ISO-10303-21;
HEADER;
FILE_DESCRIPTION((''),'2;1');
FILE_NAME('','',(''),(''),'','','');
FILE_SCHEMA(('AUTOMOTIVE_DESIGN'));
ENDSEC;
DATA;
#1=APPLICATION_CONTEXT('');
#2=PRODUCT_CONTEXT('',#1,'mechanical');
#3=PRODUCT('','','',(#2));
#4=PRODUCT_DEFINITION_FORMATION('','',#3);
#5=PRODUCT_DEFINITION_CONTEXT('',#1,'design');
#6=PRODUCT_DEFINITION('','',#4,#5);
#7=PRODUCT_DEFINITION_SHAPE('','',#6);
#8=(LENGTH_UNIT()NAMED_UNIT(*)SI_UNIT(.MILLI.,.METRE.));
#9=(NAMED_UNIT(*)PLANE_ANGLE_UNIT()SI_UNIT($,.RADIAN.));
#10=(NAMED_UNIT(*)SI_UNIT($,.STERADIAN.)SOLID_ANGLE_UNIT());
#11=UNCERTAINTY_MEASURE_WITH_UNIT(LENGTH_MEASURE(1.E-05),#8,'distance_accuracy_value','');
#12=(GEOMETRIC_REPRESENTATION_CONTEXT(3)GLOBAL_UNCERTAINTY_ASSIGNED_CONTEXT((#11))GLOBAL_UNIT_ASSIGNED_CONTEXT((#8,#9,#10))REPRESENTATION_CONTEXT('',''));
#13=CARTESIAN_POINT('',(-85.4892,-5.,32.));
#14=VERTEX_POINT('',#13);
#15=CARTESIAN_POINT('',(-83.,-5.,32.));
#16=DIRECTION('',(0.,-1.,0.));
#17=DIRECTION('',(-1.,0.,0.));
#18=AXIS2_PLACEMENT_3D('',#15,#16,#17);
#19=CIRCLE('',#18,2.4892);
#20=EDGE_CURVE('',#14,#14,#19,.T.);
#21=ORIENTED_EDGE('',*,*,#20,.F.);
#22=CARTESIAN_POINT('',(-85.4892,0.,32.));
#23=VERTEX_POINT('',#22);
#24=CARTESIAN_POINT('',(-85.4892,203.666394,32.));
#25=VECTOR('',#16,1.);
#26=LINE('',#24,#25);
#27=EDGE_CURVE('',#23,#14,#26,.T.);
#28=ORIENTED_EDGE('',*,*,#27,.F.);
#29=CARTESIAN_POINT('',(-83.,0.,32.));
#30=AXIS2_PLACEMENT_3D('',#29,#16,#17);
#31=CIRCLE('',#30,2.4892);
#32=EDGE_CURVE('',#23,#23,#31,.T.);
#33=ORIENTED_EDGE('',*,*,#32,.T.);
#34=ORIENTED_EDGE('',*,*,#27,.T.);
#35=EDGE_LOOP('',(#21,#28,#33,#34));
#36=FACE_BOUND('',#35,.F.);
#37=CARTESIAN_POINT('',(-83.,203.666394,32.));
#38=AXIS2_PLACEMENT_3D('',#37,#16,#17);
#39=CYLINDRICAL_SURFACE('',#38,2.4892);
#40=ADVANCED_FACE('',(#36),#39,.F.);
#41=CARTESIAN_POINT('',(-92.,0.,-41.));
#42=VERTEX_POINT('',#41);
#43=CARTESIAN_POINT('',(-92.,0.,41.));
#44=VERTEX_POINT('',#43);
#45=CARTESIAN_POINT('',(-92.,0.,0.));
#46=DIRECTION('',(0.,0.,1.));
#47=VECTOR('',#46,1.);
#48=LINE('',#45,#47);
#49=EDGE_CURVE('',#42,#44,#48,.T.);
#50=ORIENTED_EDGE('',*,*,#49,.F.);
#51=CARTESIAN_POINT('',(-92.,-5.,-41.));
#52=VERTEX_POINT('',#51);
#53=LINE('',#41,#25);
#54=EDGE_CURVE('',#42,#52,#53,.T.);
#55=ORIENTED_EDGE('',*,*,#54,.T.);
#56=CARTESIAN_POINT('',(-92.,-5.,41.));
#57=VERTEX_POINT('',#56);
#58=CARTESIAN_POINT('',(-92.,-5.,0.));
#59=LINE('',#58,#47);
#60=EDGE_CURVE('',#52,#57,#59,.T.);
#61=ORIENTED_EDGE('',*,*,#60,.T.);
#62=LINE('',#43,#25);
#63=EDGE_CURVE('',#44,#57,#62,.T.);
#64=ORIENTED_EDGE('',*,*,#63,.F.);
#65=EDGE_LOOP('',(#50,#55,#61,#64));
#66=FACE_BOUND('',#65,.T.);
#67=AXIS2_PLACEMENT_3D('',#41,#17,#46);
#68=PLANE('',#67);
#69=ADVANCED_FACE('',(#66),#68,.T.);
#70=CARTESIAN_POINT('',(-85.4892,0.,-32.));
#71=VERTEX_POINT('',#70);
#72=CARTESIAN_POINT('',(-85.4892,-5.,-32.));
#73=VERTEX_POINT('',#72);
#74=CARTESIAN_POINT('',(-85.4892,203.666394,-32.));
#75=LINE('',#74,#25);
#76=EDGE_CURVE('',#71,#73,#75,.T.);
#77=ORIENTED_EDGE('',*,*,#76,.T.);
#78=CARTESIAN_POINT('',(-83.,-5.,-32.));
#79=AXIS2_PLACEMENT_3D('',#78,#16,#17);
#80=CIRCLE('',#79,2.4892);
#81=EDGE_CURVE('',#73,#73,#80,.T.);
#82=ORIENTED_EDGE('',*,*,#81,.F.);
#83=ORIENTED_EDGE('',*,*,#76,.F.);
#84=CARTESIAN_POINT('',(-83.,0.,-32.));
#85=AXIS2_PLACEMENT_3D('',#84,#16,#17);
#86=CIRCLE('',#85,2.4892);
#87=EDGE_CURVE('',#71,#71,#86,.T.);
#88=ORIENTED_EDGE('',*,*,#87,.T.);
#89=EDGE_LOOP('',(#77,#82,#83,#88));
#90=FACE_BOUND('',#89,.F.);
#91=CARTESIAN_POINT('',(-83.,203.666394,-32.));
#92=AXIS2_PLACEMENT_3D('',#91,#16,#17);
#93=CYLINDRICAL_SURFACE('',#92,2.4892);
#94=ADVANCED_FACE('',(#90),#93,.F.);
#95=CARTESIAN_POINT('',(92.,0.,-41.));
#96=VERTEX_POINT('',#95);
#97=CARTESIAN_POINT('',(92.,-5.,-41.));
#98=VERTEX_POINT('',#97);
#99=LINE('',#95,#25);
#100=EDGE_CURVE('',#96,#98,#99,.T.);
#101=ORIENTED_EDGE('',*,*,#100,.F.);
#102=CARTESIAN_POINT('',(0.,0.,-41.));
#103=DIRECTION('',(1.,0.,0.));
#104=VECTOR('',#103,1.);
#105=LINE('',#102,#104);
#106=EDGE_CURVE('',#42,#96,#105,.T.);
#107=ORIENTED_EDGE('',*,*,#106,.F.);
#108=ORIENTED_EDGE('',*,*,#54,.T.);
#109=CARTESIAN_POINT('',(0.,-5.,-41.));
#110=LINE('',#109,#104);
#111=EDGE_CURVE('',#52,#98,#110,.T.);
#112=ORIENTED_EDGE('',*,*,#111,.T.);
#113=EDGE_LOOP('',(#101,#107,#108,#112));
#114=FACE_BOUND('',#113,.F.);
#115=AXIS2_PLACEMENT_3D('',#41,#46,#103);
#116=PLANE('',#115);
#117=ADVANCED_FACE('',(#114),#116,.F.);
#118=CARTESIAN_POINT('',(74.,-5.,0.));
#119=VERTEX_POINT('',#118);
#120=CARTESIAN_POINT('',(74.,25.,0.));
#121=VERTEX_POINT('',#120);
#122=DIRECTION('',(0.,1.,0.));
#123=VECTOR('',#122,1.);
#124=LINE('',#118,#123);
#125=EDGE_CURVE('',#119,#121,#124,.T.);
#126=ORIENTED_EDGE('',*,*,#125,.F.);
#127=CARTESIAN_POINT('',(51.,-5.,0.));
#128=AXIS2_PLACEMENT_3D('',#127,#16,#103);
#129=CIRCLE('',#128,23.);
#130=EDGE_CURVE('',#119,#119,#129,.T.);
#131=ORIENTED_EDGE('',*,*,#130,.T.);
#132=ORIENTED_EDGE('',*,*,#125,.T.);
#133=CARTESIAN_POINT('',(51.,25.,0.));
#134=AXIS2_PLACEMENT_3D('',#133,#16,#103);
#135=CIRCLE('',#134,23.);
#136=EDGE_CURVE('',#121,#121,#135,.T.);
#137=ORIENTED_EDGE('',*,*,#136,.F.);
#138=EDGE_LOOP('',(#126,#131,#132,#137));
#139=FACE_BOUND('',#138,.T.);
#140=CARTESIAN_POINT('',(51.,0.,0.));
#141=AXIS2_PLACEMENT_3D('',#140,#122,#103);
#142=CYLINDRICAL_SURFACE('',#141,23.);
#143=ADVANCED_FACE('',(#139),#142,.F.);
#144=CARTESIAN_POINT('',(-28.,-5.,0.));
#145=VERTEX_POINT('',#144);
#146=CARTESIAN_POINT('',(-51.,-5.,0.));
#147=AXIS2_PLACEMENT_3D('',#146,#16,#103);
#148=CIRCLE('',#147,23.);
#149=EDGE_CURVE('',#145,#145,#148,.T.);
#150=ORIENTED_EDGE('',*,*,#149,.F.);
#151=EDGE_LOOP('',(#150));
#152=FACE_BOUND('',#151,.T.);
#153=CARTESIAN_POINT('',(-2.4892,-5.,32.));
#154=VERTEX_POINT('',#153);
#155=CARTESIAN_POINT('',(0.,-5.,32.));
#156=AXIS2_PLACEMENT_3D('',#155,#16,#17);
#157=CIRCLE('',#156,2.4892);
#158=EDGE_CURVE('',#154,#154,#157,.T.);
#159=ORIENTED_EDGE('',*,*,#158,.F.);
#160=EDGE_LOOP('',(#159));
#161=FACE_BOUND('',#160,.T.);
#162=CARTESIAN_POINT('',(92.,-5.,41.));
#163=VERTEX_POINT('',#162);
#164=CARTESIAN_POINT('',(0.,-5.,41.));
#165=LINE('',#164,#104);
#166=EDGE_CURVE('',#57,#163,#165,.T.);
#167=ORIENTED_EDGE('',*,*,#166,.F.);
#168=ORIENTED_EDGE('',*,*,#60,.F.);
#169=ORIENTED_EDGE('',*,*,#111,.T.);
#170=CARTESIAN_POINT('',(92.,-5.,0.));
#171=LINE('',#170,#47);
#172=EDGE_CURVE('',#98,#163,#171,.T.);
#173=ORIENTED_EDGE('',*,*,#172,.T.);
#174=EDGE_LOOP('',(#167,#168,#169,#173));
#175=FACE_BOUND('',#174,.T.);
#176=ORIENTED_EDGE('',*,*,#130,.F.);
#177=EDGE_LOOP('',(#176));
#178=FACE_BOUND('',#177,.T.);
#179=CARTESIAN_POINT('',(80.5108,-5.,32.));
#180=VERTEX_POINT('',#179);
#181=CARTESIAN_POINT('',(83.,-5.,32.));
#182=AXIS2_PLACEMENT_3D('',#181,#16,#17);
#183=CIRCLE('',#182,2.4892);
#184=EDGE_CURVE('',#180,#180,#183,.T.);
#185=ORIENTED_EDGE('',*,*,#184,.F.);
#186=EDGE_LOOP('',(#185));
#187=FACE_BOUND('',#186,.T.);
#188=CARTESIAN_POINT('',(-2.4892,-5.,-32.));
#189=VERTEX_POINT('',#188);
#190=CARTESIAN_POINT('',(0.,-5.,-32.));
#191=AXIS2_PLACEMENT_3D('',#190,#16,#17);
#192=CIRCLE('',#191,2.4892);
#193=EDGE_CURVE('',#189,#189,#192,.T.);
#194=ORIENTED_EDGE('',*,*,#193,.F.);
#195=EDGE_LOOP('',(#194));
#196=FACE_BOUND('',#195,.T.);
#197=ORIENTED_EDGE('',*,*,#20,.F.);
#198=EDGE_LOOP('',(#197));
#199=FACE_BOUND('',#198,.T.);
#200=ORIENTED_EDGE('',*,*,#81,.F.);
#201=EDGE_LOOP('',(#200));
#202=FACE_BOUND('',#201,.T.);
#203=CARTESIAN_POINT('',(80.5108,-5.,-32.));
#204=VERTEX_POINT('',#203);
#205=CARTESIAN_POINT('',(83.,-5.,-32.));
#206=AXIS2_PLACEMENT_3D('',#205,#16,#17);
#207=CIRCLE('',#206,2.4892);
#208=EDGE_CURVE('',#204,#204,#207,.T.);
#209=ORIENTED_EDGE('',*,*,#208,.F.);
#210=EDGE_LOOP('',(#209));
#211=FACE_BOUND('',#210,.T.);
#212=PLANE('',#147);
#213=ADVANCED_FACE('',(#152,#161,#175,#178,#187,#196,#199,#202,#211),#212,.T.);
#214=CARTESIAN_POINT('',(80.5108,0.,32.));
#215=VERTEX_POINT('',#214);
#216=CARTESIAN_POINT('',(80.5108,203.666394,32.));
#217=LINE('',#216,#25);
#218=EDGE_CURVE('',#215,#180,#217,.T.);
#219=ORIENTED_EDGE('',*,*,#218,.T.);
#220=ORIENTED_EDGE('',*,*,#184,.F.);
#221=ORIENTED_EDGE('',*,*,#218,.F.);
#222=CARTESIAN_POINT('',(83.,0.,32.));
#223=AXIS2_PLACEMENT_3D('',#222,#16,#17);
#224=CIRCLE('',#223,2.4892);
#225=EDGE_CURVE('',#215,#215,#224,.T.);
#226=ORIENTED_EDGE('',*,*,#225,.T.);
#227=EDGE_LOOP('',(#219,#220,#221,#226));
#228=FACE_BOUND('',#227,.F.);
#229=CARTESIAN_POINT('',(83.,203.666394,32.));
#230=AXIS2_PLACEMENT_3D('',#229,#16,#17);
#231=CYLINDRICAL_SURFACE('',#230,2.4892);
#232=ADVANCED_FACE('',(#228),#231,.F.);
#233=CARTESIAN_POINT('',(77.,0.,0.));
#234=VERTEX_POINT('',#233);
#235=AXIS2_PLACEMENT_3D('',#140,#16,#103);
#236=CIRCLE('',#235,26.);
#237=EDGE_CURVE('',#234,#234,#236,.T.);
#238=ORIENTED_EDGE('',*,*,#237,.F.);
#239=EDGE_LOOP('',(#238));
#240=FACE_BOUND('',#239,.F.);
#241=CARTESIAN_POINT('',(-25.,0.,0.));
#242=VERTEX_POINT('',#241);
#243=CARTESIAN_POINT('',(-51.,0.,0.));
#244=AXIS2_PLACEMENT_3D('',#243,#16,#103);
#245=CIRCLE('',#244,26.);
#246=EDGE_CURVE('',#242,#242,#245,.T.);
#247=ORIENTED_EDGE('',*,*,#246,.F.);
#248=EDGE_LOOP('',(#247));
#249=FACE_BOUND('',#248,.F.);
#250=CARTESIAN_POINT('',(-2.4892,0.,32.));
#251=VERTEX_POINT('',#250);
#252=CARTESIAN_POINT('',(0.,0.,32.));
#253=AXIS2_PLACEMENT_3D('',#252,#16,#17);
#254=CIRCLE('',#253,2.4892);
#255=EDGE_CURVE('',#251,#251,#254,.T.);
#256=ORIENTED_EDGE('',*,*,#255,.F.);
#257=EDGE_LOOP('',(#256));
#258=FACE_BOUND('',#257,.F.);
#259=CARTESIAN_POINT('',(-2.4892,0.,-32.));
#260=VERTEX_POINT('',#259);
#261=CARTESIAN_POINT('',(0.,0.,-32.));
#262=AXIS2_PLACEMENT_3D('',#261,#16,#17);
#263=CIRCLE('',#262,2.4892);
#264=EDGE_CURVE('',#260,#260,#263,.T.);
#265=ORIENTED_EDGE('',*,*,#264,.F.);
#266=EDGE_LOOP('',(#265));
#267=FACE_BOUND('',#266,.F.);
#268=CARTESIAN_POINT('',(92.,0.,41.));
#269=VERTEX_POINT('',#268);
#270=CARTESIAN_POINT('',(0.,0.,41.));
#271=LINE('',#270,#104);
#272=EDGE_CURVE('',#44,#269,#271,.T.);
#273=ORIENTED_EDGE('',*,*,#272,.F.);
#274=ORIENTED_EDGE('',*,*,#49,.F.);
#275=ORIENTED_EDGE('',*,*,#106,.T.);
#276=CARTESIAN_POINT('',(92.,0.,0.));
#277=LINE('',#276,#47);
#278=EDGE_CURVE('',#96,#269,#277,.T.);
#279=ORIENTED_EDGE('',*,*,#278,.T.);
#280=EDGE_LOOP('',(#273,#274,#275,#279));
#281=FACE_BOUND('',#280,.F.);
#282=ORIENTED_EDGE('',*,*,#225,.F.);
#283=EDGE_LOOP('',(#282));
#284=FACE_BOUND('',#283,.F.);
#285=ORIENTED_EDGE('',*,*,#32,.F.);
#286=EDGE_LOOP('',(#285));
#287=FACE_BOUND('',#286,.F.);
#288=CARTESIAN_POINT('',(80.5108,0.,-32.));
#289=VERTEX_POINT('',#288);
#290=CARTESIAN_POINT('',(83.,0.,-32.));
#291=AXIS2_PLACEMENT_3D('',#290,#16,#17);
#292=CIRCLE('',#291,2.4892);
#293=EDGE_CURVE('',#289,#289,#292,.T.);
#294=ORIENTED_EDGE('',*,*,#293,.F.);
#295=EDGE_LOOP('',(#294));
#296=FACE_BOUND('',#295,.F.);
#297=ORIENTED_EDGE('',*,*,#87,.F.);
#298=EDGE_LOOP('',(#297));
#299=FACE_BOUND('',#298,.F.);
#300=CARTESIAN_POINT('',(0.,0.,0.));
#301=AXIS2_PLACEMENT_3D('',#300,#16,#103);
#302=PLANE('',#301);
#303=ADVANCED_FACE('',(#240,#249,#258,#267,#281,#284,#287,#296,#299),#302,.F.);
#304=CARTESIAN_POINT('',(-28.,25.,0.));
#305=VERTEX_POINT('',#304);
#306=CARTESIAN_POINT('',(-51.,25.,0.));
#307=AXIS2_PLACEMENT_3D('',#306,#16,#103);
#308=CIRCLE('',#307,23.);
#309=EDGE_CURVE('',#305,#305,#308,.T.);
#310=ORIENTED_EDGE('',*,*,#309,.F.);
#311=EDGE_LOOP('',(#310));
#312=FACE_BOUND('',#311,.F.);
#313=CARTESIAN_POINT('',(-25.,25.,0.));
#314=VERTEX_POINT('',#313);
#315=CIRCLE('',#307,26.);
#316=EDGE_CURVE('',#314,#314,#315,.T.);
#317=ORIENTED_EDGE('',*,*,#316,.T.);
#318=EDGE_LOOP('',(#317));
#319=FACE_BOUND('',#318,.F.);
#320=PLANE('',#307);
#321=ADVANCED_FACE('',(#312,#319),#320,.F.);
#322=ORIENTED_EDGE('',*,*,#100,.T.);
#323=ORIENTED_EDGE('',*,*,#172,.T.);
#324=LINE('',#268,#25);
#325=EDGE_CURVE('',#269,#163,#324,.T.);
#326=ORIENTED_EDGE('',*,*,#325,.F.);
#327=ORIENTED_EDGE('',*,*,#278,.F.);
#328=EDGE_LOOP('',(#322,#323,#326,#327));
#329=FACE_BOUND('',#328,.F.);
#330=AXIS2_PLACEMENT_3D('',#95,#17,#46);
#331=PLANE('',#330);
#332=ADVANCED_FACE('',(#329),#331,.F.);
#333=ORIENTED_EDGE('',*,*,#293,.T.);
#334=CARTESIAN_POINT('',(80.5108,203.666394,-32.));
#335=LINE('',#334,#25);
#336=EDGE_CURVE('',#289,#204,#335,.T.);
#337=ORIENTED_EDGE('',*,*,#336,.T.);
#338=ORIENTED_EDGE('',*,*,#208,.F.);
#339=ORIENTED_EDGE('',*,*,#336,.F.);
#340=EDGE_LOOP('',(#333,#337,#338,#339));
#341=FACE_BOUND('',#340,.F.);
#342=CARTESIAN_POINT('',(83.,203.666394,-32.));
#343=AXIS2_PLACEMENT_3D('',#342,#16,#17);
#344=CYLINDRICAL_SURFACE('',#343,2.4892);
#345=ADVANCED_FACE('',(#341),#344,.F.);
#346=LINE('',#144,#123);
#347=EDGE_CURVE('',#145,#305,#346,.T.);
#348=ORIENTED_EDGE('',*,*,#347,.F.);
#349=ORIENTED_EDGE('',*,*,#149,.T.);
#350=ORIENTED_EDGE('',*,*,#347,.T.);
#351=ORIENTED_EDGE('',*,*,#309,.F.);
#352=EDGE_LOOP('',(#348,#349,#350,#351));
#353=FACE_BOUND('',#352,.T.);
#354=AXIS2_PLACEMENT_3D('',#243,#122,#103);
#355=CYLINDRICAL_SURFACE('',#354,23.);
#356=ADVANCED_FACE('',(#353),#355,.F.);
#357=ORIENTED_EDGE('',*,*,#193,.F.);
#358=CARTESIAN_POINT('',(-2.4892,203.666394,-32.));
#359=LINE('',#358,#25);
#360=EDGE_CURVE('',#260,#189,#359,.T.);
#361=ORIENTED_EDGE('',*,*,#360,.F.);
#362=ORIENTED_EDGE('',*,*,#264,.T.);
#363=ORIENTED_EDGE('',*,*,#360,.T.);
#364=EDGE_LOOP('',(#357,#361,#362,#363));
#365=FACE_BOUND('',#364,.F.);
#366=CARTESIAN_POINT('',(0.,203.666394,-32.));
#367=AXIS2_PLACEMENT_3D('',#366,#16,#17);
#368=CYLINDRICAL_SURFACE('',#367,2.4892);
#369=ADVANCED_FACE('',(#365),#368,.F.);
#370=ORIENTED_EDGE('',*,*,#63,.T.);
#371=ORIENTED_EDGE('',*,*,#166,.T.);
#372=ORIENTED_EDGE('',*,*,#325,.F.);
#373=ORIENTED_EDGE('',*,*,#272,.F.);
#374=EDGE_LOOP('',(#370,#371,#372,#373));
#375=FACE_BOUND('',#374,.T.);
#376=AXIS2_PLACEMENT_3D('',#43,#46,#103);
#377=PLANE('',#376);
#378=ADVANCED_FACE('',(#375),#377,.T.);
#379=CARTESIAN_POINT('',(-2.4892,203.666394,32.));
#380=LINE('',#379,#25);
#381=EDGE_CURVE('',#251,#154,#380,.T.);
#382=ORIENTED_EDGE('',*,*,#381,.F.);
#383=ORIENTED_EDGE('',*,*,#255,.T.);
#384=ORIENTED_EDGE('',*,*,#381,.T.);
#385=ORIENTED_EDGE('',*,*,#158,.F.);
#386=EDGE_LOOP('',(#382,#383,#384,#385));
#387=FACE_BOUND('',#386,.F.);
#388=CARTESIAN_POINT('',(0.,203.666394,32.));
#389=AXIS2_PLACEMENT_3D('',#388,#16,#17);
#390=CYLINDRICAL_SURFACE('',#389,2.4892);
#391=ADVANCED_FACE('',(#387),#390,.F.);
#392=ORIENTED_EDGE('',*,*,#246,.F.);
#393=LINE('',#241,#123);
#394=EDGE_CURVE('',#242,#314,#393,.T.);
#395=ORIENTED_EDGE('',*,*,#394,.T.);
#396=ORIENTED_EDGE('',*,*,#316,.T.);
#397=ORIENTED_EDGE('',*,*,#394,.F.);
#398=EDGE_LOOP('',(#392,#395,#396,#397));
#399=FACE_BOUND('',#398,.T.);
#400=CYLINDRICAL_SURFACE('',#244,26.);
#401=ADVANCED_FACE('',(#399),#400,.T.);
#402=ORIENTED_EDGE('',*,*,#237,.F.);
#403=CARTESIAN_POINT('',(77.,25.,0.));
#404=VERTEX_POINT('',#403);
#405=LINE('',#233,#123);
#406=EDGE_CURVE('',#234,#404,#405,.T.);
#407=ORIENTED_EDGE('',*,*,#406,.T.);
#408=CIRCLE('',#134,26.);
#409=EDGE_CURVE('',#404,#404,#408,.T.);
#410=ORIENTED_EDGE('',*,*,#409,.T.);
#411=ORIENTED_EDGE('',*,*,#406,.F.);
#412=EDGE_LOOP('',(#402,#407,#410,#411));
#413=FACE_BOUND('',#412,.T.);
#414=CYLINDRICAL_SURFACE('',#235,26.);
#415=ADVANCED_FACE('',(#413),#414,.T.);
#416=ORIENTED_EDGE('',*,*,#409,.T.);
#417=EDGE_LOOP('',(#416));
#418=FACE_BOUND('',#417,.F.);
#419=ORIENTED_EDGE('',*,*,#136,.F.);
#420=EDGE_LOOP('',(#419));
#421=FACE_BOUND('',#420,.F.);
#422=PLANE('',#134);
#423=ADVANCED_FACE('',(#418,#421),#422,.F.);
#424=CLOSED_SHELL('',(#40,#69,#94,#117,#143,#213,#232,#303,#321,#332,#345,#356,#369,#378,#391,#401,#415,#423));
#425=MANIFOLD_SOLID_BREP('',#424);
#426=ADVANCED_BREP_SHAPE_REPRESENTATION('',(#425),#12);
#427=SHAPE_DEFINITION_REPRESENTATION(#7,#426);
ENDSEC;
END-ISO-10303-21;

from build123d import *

# Parameters (mm, degrees)
F0_W     = 184
F0_H     = 82
F0_R     = 26
F1_DEPTH = 5
F0_R_2   = 23
F2_DEPTH = 25
F3_DEPTH = 5
F5_D     = 4.9784


with BuildPart() as f1:
    # F0 (on Front) → F1 (new body)
    with BuildSketch(Plane.XZ):
        Rectangle(F0_W, F0_H)
        with Locations((-51, 0)):
            Circle(F0_R, mode=Mode.SUBTRACT)
        with Locations((51, 0)):
            Circle(F0_R, mode=Mode.SUBTRACT)
    extrude(amount=F1_DEPTH)

    # F0 (on Front) → F2 (join)
    with BuildSketch(Plane.XZ):
        with Locations((-51, 0)):
            Circle(F0_R)
        with Locations((-51, 0)):
            Circle(F0_R_2, mode=Mode.SUBTRACT)
        with Locations((51, 0)):
            Circle(F0_R)
        with Locations((51, 0)):
            Circle(F0_R_2, mode=Mode.SUBTRACT)
    extrude(amount=-F2_DEPTH)

    # F0 (on Front) → F3 (join)
    with BuildSketch(Plane.XZ):
        with Locations((-51, 0)):
            Circle(F0_R)
        with Locations((-51, 0)):
            Circle(F0_R_2, mode=Mode.SUBTRACT)
        with Locations((51, 0)):
            Circle(F0_R)
        with Locations((51, 0)):
            Circle(F0_R_2, mode=Mode.SUBTRACT)
    extrude(amount=F3_DEPTH)

    # F5 (through all)
    with Locations(Plane(origin=(0, 0, 0), x_dir=(1, 0, 0), z_dir=(0, 1, 0))):
        with Locations((-83, -32), (0, -32), (83, -32), (83, 32), (0, 32), (-83, 32)):
            Hole(F5_D / 2)


solid = f1.part
